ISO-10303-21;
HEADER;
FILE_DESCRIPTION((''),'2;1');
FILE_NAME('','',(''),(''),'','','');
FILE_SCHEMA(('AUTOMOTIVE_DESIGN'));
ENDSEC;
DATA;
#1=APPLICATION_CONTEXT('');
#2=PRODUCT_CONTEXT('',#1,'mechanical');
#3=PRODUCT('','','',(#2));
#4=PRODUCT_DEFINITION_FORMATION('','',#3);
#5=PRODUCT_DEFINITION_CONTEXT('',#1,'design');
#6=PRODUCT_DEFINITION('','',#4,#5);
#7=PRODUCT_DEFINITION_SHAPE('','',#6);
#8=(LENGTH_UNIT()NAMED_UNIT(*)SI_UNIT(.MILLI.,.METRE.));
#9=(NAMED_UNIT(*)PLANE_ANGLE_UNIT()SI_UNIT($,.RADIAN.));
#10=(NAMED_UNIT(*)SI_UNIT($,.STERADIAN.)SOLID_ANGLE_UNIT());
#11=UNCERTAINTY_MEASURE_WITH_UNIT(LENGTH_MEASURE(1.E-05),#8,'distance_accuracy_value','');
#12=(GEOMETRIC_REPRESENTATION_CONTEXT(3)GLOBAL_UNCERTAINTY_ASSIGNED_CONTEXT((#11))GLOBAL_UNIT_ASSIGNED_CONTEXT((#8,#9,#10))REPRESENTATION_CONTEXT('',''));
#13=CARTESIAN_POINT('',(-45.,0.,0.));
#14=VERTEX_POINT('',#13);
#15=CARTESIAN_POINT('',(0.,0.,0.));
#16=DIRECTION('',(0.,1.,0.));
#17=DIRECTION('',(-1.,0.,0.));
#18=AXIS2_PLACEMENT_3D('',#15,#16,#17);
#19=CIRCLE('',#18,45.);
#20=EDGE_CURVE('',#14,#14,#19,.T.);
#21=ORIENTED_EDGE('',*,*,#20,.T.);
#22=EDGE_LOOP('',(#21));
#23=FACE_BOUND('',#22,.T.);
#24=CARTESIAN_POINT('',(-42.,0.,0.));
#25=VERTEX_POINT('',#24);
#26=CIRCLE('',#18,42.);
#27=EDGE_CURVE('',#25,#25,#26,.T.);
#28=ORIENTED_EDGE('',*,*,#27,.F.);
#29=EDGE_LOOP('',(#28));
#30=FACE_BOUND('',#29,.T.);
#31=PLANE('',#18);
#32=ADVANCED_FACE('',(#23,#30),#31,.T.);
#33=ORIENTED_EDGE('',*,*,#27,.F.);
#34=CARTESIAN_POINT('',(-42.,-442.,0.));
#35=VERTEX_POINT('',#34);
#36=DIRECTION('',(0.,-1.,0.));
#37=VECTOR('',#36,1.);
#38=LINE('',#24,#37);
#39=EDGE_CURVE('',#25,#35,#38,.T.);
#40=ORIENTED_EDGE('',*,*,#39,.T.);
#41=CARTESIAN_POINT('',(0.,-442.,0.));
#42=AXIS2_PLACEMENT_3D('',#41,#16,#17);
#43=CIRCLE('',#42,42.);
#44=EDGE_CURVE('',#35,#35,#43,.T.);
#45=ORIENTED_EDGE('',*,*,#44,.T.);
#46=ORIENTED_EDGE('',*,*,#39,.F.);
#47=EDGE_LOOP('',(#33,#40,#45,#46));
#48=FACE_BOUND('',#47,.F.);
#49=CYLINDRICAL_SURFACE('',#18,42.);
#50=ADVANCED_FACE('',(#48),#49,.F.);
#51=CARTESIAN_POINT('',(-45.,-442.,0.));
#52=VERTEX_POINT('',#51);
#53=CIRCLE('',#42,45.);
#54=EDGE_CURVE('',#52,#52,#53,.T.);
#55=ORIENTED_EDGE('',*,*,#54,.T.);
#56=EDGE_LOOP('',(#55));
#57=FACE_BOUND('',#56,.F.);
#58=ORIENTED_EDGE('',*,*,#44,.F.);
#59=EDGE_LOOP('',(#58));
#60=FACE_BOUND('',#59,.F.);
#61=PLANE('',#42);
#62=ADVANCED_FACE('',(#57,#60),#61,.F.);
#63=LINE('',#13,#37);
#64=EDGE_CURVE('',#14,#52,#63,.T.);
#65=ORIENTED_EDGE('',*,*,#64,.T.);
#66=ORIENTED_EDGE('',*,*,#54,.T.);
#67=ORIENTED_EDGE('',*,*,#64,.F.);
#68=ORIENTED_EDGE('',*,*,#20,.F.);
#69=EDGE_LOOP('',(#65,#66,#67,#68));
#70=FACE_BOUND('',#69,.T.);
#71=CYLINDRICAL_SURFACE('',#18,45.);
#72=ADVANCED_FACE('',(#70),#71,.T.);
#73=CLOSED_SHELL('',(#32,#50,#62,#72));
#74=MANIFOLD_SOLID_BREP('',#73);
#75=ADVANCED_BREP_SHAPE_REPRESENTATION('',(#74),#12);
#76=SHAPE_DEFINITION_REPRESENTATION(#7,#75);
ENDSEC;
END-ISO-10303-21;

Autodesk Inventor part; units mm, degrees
ref_plane "YZ Plane" through (0, 0, 0) normal (1, 0, 0) x (0, 1, 0)
ref_plane "XZ Plane" through (0, 0, 0) normal (0, 1, 0) x (-1, 0, 0)
ref_plane "XY Plane" through (0, 0, 0) normal (0, 0, 1) x (1, 0, 0)
sketch "Sketch1" plane through (0, 0, 0) normal (0, 1, 0) x (-1, 0, 0)
  circle A0 centre (0, 0) radius 45
  circle A1 centre (0, 0) radius 42
  dimension "d0" = 90
  dimension "d1" = 3
extrude "Extrusion1" add sketch "Sketch1" against normal blind 442
properties part number "PNS 1615 FDS tube 5_1200"
